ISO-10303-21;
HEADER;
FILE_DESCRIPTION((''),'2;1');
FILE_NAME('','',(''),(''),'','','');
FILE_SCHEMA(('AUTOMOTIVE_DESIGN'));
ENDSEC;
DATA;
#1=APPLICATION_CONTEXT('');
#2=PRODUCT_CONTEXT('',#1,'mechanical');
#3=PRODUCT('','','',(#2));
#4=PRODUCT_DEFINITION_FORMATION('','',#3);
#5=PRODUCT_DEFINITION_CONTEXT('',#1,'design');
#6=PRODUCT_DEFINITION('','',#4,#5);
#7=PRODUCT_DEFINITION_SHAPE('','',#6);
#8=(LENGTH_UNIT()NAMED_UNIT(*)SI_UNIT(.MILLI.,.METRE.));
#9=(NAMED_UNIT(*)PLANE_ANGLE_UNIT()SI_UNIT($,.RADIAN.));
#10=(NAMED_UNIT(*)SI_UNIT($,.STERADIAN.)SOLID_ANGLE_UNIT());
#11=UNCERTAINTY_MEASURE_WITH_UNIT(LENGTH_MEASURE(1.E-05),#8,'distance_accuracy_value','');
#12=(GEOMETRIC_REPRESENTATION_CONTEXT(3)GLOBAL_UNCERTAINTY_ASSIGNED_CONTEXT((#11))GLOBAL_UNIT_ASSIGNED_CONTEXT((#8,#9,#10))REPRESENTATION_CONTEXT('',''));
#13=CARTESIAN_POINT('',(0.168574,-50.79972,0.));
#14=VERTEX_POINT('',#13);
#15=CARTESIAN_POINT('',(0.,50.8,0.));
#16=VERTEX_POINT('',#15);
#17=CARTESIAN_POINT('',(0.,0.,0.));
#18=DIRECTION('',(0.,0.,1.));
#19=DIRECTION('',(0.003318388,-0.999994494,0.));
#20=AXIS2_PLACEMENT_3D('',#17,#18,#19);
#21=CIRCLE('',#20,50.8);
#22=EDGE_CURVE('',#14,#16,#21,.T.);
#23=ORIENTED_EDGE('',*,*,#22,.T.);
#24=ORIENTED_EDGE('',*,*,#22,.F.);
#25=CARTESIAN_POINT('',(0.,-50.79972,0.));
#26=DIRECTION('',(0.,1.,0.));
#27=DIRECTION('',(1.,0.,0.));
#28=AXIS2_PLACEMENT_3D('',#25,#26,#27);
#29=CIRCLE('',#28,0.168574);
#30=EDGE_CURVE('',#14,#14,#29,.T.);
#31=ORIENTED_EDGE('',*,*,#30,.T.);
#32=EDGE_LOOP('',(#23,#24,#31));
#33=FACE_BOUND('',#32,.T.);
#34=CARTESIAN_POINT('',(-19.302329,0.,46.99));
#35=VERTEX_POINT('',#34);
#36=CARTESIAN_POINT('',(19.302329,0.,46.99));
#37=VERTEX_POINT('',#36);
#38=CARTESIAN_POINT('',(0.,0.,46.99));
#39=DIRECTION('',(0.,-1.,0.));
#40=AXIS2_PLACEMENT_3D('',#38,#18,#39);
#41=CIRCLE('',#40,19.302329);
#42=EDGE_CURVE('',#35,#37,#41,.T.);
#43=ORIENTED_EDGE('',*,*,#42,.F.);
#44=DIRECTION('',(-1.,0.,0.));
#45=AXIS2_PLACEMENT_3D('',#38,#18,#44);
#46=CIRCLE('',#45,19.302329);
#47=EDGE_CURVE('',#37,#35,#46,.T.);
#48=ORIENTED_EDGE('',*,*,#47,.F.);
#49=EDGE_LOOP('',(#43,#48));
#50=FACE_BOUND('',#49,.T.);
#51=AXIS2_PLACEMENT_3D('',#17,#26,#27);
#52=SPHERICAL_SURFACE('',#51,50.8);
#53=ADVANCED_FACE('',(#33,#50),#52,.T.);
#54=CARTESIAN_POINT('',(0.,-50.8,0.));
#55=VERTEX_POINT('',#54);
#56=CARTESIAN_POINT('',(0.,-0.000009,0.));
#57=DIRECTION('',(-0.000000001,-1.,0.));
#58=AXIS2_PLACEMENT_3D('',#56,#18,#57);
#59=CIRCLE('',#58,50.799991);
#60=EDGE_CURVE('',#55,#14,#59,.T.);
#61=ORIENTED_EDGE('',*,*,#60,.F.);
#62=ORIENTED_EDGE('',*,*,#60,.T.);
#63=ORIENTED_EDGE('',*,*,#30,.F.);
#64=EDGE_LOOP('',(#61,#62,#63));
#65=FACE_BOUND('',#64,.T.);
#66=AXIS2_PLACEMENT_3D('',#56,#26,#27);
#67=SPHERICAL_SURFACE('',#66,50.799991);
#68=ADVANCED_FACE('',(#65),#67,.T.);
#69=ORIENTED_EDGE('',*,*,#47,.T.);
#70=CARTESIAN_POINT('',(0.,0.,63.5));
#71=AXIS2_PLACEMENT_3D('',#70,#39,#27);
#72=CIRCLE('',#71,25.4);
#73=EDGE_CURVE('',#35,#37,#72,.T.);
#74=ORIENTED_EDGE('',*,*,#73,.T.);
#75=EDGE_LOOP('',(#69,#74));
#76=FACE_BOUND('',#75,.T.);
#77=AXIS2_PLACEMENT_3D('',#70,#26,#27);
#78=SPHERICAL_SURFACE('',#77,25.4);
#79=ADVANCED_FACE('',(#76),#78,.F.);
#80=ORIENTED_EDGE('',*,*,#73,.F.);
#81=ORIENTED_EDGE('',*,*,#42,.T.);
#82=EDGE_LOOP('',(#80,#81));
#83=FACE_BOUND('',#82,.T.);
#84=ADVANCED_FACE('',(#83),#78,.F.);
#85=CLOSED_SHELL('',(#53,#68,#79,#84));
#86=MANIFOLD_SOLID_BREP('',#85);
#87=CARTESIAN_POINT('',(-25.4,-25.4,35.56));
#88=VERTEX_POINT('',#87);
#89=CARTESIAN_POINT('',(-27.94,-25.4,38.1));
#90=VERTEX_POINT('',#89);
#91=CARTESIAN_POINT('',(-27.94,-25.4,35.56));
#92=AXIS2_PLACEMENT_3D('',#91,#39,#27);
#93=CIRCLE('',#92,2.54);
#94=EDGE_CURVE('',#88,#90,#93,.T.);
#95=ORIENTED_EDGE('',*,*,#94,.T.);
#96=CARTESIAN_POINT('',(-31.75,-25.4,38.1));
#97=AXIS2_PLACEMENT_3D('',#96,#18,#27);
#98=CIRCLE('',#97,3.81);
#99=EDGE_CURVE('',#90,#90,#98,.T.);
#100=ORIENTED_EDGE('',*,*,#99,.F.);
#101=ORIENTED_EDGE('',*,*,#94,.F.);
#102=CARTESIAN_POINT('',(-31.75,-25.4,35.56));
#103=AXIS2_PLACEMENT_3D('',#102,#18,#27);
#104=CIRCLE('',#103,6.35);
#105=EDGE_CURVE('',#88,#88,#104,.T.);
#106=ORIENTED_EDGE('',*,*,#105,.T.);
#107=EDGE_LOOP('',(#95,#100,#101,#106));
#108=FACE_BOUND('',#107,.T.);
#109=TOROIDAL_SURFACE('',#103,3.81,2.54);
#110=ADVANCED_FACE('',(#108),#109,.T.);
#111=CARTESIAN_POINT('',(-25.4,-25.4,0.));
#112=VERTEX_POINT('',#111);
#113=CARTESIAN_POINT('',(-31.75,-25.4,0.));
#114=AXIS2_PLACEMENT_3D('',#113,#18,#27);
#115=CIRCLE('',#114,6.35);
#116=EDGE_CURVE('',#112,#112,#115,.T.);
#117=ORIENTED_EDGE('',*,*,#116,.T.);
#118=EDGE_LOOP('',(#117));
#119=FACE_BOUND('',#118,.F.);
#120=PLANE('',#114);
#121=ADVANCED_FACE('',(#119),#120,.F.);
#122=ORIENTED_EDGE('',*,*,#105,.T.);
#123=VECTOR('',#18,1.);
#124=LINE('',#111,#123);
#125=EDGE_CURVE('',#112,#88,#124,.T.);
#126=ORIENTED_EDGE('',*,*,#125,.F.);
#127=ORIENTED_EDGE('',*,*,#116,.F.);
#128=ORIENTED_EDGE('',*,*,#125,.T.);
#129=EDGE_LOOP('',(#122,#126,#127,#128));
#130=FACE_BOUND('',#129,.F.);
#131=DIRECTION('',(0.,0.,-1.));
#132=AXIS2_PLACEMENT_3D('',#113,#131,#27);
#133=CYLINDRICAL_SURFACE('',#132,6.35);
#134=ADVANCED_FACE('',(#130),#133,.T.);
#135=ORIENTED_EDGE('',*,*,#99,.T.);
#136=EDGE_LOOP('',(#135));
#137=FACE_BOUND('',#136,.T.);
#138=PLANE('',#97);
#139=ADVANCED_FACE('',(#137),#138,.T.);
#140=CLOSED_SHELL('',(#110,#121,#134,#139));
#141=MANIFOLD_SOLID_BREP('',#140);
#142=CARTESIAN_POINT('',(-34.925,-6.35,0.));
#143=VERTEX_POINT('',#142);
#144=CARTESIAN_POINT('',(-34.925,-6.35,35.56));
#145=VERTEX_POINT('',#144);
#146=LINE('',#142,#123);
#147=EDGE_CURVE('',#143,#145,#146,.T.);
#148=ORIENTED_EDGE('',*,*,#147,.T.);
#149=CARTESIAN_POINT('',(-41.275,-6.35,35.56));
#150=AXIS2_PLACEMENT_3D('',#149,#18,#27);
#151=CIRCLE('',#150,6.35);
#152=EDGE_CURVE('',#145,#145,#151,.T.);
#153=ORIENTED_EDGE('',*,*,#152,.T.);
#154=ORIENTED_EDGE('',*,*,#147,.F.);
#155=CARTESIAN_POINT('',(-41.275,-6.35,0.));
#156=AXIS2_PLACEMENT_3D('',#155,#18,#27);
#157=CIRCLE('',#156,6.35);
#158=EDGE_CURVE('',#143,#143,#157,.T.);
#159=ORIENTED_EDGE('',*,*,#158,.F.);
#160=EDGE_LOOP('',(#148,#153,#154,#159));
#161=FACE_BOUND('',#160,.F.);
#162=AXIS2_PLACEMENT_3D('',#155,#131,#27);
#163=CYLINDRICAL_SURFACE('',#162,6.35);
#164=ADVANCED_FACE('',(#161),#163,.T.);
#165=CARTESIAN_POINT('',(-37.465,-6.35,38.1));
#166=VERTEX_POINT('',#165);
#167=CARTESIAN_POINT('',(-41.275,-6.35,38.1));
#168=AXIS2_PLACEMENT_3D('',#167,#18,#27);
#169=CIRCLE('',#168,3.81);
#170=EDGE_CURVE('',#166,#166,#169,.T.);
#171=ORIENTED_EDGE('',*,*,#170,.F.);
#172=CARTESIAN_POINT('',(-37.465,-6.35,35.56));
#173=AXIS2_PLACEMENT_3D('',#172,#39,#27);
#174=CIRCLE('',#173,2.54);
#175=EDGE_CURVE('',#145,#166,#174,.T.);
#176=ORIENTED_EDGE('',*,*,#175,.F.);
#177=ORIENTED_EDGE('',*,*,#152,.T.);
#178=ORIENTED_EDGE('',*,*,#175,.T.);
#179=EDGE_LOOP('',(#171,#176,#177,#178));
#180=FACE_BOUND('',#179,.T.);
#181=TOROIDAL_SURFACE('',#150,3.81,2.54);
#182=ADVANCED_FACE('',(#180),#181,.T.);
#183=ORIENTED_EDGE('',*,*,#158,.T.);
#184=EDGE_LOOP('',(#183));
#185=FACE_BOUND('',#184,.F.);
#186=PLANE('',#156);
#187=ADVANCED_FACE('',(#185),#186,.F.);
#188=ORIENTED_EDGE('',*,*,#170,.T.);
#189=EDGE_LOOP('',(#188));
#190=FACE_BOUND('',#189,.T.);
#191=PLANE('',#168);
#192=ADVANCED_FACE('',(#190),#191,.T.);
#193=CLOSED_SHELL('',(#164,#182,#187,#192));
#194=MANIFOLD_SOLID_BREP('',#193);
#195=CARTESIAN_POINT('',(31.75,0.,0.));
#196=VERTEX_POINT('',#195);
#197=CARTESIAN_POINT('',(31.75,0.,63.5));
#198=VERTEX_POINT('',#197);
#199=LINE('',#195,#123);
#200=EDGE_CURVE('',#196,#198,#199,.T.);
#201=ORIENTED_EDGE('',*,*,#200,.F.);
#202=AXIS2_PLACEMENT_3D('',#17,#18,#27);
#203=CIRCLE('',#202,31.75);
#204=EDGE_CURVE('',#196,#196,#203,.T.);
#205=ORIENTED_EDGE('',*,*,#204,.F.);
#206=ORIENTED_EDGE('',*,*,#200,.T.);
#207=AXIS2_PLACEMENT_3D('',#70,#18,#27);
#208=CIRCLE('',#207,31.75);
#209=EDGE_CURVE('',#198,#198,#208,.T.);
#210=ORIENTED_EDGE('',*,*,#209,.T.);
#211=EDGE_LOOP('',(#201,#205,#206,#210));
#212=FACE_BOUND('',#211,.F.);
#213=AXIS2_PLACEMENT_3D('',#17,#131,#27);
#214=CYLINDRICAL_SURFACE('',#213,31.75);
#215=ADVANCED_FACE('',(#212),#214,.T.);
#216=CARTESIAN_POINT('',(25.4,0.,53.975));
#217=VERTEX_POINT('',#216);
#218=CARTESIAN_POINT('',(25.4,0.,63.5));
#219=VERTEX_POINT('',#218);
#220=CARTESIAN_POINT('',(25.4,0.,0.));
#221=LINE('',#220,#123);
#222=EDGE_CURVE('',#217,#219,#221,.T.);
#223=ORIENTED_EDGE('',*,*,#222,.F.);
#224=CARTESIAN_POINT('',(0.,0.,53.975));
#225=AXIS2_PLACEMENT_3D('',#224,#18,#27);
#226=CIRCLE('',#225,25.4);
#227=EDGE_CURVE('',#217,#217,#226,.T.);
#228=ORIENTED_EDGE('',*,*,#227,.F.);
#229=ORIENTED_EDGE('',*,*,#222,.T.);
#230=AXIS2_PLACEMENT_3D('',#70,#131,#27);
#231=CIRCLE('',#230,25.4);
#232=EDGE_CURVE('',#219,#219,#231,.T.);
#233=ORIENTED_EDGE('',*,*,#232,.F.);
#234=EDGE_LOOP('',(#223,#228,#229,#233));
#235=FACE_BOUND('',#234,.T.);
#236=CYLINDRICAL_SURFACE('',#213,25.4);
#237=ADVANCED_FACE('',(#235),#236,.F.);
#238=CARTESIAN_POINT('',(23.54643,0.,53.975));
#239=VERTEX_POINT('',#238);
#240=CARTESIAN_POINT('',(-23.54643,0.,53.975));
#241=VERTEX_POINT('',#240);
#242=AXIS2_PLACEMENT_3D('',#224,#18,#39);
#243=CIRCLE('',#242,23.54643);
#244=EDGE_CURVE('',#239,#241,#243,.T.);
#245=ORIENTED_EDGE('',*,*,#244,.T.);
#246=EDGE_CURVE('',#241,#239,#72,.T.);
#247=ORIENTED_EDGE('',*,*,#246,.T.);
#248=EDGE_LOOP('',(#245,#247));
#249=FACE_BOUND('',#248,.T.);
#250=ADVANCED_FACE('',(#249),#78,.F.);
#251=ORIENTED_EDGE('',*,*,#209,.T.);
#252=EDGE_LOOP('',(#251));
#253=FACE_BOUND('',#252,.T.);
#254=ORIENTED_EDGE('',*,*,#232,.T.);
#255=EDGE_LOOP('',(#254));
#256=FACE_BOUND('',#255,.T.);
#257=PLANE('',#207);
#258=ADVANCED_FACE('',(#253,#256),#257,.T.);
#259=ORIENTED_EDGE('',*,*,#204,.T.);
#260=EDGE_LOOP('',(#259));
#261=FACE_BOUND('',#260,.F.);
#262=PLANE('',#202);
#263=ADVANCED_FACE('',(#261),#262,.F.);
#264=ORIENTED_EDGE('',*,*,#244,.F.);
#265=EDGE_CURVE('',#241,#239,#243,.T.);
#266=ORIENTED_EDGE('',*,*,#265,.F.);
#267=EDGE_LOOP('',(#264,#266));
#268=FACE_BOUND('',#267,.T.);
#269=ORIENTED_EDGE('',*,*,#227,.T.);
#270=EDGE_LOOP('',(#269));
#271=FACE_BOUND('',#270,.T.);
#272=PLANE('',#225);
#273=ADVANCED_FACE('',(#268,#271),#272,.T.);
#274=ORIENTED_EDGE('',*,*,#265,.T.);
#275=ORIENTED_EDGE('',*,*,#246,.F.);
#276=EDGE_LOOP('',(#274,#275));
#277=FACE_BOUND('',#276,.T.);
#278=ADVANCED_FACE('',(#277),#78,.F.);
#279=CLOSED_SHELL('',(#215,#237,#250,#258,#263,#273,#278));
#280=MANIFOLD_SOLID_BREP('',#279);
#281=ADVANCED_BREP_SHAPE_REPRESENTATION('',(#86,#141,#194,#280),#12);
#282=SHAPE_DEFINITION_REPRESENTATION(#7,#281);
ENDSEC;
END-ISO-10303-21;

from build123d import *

# Parameters (mm, degrees)
F2_R     = 31.75
F2_R_2   = 25.4
F3_DEPTH = 63.5
F4_DEPTH = 53.975
F2_R_3   = 6.35
F7_DEPTH = 38.1
F8_DEPTH = 38.1
F9_R     = 2.54
F9_2_R   = 2.54


with BuildPart() as f1:
    # F0 (on Top) → F1 (revolve)
    with BuildSketch(Plane.XY):
        with BuildLine():
            Line((0, 50.8), (0, -50.8))
            ThreePointArc((0, -50.8), (0.0842871743, -50.7999300755), (0.1685741165, -50.7997203021))
            ThreePointArc((0.1685741165, -50.7997203021), (50.7999300755, 0.0842871743), (0, 50.8))
        make_face()
    revolve(axis=Axis((0, 0, 0), (0, 1, 0)))


with BuildPart() as f3:
    # F2 (on Top) → F3 (new body)
    with BuildSketch(Plane.XY):
        Circle(F2_R)
        Circle(F2_R_2, mode=Mode.SUBTRACT)
    extrude(amount=F3_DEPTH)

    # F2 (on Top) → F4 (join)
    with BuildSketch(Plane.XY):
        Circle(F2_R_2)
    extrude(amount=F4_DEPTH)


with BuildPart() as f6_tool:
    # F5 (on face) → F6 (revolve)
    with BuildSketch(Plane.XY.offset(63.5)):
        with BuildLine():
            ThreePointArc((25.4, 0), (17.9605122421, 17.9605122421), (0, 25.4))
            Line((0, 25.4), (0, -25.4))
            ThreePointArc((0, -25.4), (17.9605122421, -17.9605122421), (25.4, 0))
        make_face()
    revolve(axis=Axis((0, 0, 63.5), (0, -1, 0)))


with BuildPart() as f1_1:
    add(f1.part)

    # F6: cut by f6_tool
    add(f6_tool.part, mode=Mode.SUBTRACT)


with BuildPart() as f3_1:
    add(f3.part)

    # F6: cut by f6_tool
    add(f6_tool.part, mode=Mode.SUBTRACT)


with BuildPart() as f7:
    # F2 (on Top) → F7 (new body)
    with BuildSketch(Plane.XY):
        with Locations((-41.275, -6.35)):
            Circle(F2_R_3)
    extrude(amount=F7_DEPTH)

    # F9
    f9_edges = [f7.edges().sort_by_distance(p)[0] for p in [
        (-47.625, -6.35, 38.1),
    ]]
    fillet(f9_edges, radius=F9_R)


with BuildPart() as f8:
    # F2 (on Top) → F8 (new body)
    with BuildSketch(Plane.XY):
        with Locations((-31.75, -25.4)):
            Circle(F2_R_3)
    extrude(amount=F8_DEPTH)

    # F9#2
    f9_2_edges = [f8.edges().sort_by_distance(p)[0] for p in [
        (-38.1, -25.4, 38.1),
    ]]
    fillet(f9_2_edges, radius=F9_2_R)


solid = Compound([f1_1.part, f3_1.part, f7.part, f8.part])
